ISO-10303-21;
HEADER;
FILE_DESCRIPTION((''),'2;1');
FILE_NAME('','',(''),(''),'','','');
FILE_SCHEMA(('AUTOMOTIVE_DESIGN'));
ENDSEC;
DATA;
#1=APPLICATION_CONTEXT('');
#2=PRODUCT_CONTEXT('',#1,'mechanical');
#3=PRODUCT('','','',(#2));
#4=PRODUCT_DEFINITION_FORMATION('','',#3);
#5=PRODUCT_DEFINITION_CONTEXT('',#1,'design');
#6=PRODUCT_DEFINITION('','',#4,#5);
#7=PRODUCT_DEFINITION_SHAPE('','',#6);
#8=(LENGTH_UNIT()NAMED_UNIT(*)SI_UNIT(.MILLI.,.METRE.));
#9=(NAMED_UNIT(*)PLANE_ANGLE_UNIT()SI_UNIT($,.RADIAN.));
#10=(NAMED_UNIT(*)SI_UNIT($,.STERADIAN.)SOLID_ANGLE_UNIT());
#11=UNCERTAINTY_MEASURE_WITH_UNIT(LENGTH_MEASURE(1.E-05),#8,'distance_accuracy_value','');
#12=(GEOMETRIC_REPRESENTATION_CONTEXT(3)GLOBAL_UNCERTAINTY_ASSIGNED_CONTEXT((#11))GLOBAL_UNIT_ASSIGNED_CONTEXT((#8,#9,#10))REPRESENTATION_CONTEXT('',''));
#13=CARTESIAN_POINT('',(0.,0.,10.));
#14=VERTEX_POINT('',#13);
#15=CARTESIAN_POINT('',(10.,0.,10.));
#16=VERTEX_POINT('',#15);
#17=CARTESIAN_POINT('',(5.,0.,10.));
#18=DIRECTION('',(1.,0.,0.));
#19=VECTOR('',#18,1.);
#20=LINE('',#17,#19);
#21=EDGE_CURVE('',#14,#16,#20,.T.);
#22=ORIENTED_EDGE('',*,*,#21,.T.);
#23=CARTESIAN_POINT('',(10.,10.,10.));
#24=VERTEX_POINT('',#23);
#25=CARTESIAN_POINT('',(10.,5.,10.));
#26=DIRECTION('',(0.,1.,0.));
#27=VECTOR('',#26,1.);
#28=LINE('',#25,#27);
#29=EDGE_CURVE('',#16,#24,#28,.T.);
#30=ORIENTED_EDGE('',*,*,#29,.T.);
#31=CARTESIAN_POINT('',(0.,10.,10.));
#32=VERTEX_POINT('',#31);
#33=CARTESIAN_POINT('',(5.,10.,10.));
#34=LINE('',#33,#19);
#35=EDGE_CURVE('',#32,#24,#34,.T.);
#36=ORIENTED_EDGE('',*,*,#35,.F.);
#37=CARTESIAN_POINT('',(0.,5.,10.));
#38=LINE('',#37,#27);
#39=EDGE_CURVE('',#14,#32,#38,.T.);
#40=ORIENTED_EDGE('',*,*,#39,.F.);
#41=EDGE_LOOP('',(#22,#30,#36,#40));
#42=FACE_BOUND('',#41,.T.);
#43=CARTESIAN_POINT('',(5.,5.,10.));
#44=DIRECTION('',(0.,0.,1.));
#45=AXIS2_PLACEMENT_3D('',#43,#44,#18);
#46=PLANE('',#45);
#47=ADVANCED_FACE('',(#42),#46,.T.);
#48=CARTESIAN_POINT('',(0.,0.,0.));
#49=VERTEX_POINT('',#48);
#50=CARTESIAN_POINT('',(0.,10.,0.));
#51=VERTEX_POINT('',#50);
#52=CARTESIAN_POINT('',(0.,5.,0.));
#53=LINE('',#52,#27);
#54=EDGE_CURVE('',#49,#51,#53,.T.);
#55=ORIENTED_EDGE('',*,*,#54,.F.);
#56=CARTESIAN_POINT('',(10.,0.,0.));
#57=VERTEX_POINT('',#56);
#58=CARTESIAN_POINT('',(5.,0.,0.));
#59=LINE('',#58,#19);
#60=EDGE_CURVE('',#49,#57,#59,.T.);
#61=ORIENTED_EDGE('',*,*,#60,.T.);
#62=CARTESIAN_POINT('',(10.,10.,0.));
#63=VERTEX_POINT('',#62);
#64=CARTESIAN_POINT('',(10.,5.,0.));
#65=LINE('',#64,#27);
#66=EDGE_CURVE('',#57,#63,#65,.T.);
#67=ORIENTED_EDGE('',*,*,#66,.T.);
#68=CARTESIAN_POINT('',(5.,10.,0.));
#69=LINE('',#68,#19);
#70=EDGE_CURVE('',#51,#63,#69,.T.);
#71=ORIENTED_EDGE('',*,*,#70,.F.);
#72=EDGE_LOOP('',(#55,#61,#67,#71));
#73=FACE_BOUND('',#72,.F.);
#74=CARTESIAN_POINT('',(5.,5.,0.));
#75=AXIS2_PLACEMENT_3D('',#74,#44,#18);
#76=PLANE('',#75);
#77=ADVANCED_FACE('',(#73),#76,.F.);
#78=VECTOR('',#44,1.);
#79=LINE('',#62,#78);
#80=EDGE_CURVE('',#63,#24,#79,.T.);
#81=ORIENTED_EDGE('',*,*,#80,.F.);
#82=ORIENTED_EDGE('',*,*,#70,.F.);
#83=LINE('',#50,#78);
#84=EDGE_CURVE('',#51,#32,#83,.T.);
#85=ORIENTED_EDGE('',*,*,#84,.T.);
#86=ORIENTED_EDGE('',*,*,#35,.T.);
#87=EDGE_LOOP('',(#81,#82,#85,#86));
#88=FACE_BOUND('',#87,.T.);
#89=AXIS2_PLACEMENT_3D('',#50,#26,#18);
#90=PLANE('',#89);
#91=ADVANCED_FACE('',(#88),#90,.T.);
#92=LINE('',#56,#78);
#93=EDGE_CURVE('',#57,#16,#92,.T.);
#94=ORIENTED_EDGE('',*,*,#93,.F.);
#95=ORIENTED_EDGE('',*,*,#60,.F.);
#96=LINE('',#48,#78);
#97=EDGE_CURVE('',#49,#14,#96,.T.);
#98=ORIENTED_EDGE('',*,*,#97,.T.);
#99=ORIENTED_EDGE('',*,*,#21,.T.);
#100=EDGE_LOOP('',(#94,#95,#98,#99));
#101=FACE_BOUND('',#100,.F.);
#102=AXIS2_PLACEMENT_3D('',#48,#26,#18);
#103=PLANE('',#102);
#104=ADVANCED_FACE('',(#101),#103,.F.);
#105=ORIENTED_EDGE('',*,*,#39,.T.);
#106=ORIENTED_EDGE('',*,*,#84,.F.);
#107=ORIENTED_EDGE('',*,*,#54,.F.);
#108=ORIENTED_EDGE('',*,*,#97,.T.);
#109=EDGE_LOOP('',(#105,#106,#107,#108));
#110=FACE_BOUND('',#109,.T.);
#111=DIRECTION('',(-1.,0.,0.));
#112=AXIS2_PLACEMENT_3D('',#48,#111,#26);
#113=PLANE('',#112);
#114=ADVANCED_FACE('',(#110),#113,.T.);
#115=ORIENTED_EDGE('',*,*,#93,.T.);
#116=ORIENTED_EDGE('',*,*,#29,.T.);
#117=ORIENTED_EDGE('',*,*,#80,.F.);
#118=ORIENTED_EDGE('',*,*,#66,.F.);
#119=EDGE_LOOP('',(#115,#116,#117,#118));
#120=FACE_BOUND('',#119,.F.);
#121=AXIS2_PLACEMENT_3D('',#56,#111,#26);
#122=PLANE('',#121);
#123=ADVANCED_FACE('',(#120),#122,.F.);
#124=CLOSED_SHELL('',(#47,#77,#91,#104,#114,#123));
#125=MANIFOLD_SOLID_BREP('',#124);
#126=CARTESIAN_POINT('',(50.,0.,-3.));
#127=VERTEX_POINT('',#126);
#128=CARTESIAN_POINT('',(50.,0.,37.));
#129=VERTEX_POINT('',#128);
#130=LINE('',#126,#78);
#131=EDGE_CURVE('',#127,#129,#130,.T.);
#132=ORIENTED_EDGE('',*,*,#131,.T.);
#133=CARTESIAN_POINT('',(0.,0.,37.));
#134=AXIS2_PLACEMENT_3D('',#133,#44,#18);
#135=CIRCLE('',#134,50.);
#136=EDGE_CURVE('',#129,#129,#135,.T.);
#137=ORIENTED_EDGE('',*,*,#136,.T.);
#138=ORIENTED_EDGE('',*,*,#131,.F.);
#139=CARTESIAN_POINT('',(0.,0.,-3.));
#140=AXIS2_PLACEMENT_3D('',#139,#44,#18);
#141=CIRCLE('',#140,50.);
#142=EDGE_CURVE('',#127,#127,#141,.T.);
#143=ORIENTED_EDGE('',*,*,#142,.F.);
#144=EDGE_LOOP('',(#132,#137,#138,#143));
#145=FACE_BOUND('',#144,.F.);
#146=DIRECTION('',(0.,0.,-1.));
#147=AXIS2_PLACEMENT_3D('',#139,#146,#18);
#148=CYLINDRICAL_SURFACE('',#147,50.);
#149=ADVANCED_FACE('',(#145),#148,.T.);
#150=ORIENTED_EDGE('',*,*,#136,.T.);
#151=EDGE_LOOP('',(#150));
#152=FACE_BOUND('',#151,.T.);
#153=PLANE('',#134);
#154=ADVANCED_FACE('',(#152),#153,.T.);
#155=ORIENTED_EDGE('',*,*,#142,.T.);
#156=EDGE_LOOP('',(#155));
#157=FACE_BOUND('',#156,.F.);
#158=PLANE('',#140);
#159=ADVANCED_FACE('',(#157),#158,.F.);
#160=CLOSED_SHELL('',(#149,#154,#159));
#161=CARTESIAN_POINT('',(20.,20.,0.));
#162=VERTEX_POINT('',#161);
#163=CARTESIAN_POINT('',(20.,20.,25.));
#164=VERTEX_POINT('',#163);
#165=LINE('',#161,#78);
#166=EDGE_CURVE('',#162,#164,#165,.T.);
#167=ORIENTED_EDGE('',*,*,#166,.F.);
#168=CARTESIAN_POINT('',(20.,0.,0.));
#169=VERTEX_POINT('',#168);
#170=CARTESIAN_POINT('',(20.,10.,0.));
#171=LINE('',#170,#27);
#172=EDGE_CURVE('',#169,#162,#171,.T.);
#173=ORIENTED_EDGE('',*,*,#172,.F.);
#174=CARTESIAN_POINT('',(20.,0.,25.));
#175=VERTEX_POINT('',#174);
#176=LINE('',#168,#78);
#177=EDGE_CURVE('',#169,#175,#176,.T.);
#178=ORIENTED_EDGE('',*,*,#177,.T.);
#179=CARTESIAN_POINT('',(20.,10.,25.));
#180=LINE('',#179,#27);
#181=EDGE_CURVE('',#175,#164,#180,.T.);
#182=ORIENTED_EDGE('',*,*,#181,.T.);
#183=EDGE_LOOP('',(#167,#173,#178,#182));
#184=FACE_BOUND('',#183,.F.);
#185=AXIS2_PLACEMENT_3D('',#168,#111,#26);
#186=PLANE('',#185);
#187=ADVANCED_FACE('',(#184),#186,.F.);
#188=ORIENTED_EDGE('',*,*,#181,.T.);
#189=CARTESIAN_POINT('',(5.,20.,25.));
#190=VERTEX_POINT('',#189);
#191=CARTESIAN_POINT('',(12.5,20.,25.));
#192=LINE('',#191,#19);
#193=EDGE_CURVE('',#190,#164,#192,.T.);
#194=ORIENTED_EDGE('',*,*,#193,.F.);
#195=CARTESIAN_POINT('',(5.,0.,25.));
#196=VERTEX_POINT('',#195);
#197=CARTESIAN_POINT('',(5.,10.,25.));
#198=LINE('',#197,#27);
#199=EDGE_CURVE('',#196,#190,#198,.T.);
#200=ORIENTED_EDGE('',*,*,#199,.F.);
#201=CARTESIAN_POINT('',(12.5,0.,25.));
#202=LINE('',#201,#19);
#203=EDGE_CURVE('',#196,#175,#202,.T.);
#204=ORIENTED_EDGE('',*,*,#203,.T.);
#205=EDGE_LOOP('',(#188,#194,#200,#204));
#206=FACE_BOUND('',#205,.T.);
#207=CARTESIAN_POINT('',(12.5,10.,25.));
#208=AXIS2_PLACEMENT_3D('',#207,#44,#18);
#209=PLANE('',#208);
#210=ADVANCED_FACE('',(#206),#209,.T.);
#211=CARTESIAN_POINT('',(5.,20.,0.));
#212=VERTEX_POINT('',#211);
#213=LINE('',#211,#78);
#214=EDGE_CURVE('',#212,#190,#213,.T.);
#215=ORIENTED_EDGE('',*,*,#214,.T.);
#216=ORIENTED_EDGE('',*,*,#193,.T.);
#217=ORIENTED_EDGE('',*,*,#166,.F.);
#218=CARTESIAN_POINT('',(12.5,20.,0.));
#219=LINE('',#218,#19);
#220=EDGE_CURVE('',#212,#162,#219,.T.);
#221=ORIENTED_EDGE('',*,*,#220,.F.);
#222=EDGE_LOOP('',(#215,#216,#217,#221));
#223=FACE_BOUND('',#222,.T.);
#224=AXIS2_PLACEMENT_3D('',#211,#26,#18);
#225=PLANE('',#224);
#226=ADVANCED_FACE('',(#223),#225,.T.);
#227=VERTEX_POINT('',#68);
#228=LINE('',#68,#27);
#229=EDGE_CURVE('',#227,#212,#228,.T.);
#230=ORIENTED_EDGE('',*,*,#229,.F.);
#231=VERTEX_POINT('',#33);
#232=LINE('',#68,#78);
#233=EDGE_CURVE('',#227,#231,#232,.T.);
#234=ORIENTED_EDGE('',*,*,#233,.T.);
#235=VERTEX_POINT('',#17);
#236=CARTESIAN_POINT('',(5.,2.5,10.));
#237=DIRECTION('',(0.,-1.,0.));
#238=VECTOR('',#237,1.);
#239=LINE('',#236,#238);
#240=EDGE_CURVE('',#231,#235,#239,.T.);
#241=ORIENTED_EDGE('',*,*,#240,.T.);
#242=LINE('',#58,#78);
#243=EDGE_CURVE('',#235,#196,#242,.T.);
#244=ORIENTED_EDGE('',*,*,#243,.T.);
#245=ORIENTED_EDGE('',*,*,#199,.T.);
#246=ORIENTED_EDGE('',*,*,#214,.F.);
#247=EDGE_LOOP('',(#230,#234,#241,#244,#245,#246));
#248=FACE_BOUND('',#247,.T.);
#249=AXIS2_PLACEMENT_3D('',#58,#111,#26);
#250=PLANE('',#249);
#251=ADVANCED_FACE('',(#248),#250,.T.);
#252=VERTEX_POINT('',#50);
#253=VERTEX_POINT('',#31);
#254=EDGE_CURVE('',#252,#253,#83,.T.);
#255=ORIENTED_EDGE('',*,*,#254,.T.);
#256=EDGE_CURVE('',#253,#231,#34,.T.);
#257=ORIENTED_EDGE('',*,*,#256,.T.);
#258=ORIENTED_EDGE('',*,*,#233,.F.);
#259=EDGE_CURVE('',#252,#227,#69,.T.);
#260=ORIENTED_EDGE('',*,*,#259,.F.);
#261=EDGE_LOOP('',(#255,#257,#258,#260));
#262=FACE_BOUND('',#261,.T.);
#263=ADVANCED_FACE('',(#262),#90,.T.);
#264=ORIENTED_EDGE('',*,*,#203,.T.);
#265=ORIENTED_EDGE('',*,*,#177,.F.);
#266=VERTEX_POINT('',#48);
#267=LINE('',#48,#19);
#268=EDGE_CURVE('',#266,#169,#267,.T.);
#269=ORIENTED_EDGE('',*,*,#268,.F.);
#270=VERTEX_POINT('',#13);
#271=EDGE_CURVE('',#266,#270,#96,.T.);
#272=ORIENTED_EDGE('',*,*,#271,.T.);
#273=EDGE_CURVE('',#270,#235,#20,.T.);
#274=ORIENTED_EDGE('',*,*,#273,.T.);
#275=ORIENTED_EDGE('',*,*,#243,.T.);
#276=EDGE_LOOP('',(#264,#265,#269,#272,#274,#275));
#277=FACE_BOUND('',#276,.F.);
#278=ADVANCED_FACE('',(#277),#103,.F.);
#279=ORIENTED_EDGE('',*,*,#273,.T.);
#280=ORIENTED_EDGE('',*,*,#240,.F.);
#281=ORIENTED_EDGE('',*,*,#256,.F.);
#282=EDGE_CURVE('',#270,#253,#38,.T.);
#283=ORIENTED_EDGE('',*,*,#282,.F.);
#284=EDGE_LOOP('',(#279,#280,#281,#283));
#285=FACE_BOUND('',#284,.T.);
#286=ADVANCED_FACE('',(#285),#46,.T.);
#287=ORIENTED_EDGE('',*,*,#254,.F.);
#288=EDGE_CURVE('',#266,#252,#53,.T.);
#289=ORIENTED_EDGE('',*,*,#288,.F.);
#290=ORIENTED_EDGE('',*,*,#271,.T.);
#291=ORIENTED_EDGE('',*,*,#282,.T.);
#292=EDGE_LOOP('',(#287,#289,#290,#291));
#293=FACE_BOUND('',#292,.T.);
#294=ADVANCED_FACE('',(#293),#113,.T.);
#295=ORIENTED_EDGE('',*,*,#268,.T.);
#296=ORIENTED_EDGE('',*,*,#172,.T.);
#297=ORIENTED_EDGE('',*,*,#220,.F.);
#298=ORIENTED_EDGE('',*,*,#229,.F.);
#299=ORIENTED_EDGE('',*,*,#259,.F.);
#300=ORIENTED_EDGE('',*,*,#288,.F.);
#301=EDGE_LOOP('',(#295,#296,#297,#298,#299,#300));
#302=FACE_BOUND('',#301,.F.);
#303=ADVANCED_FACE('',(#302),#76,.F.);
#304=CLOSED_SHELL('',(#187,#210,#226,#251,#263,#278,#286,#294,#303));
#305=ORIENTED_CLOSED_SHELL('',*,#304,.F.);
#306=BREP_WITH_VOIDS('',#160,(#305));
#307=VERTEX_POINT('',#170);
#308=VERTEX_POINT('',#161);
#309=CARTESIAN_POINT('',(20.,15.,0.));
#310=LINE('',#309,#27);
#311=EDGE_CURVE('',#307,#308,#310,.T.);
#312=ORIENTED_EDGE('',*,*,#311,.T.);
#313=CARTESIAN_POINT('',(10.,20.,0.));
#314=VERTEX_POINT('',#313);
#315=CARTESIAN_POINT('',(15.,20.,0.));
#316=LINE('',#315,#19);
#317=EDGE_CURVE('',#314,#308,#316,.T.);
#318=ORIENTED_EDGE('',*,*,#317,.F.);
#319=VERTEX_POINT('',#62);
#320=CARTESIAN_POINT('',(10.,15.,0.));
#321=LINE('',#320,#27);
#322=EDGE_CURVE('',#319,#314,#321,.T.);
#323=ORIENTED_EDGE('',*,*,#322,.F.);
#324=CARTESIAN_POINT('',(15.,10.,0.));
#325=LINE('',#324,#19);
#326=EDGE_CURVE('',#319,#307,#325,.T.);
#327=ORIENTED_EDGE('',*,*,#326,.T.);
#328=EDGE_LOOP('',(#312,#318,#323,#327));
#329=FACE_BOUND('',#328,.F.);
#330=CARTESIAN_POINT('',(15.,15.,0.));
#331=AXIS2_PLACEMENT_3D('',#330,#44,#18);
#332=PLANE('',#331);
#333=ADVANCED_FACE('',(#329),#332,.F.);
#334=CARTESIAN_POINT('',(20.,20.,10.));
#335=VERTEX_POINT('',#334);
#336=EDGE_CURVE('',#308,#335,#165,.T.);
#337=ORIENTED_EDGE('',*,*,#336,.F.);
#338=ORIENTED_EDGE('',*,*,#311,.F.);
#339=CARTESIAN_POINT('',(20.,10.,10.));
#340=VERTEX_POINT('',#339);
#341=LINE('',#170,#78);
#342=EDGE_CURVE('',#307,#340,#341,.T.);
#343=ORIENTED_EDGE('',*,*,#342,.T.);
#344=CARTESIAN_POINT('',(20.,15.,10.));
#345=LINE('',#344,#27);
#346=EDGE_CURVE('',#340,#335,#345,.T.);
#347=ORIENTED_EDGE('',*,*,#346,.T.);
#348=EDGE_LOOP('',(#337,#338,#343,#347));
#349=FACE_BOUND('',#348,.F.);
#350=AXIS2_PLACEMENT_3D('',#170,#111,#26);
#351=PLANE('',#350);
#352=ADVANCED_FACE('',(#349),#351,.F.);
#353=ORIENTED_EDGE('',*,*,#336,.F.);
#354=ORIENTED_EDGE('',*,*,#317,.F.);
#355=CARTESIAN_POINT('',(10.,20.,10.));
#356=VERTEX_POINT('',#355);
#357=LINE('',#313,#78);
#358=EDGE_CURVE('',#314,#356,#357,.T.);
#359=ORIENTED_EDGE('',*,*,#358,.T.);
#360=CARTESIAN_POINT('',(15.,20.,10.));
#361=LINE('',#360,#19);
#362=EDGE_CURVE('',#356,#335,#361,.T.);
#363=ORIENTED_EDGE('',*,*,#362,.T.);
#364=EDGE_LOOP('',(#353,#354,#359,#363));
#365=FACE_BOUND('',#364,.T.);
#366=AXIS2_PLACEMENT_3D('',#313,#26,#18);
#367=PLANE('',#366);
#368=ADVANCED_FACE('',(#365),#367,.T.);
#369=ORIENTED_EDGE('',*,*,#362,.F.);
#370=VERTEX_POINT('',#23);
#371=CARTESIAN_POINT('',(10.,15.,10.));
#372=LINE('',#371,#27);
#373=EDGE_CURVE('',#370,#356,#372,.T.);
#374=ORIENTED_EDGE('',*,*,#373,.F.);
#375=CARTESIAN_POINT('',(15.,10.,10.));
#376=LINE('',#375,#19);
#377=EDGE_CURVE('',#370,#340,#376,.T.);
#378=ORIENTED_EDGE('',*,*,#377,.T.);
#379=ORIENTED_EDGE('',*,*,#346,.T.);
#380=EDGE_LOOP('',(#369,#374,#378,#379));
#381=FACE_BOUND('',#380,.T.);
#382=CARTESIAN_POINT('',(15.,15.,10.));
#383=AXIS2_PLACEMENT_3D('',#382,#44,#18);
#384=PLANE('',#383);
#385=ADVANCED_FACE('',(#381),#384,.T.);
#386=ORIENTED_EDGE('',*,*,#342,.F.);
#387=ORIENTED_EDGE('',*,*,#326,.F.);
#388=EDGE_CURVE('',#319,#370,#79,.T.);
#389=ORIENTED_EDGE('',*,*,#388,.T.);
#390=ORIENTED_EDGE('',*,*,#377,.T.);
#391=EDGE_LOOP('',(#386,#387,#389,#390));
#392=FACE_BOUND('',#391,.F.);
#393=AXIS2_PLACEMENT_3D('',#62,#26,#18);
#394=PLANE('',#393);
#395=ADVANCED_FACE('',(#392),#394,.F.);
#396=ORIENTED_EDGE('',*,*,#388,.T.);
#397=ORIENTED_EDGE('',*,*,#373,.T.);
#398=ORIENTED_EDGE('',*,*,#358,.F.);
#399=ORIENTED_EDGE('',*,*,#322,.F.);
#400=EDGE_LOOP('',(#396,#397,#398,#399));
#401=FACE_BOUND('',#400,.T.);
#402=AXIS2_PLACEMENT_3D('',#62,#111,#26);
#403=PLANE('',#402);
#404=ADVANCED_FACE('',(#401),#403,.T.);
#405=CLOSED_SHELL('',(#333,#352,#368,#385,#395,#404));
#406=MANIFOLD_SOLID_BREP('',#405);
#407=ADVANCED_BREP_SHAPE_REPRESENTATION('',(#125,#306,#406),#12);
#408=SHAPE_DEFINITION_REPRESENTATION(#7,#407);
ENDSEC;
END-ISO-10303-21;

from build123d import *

# Parameters (mm, degrees)
BOX001_W       = 15
BOX001_H       = 20
BOX001_DEPTH   = 25
BOX_W          = 10
BOX_H          = 10
BOX_DEPTH      = 10
CYLINDER_R     = 50
CYLINDER_DEPTH = 40
BOX003_W       = 10
BOX003_H       = 10
BOX003_DEPTH   = 10
BOX002_W       = 10
BOX002_H       = 10
BOX002_DEPTH   = 10


with BuildPart() as cube001:
    # Box001 → Box001 (new body)
    with BuildSketch(Plane(origin=(5, 0, 0), x_dir=(1, 0, 0), z_dir=(0, 0, 1))):
        with Locations((7.5, 10)):
            Rectangle(BOX001_W, BOX001_H)
    extrude(amount=BOX001_DEPTH)


with BuildPart() as fusion:
    # Box → Box (new body)
    with BuildSketch(Plane.XY):
        with Locations((5, 5)):
            Rectangle(BOX_W, BOX_H)
    extrude(amount=BOX_DEPTH)

    # Fusion: union Cube001
    add(cube001.part)


with BuildPart() as cut:
    # Cylinder → Cylinder (new body)
    with BuildSketch(Plane.XY.offset(-3)):
        Circle(CYLINDER_R)
    extrude(amount=CYLINDER_DEPTH)

    # Cut: cut Fusion
    add(fusion.part, mode=Mode.SUBTRACT)


with BuildPart() as cube003:
    # Box003 → Box003 (new body)
    with BuildSketch(Plane(origin=(10, 10, 0), x_dir=(1, 0, 0), z_dir=(0, 0, 1))):
        with Locations((5, 5)):
            Rectangle(BOX003_W, BOX003_H)
    extrude(amount=BOX003_DEPTH)


with BuildPart() as fusion001:
    # Box002 → Box002 (new body)
    with BuildSketch(Plane.XY):
        with Locations((5, 5)):
            Rectangle(BOX002_W, BOX002_H)
    extrude(amount=BOX002_DEPTH)

    # Fusion001: union Cube003
    add(cube003.part)


solid = Compound([cut.part, fusion001.part])
